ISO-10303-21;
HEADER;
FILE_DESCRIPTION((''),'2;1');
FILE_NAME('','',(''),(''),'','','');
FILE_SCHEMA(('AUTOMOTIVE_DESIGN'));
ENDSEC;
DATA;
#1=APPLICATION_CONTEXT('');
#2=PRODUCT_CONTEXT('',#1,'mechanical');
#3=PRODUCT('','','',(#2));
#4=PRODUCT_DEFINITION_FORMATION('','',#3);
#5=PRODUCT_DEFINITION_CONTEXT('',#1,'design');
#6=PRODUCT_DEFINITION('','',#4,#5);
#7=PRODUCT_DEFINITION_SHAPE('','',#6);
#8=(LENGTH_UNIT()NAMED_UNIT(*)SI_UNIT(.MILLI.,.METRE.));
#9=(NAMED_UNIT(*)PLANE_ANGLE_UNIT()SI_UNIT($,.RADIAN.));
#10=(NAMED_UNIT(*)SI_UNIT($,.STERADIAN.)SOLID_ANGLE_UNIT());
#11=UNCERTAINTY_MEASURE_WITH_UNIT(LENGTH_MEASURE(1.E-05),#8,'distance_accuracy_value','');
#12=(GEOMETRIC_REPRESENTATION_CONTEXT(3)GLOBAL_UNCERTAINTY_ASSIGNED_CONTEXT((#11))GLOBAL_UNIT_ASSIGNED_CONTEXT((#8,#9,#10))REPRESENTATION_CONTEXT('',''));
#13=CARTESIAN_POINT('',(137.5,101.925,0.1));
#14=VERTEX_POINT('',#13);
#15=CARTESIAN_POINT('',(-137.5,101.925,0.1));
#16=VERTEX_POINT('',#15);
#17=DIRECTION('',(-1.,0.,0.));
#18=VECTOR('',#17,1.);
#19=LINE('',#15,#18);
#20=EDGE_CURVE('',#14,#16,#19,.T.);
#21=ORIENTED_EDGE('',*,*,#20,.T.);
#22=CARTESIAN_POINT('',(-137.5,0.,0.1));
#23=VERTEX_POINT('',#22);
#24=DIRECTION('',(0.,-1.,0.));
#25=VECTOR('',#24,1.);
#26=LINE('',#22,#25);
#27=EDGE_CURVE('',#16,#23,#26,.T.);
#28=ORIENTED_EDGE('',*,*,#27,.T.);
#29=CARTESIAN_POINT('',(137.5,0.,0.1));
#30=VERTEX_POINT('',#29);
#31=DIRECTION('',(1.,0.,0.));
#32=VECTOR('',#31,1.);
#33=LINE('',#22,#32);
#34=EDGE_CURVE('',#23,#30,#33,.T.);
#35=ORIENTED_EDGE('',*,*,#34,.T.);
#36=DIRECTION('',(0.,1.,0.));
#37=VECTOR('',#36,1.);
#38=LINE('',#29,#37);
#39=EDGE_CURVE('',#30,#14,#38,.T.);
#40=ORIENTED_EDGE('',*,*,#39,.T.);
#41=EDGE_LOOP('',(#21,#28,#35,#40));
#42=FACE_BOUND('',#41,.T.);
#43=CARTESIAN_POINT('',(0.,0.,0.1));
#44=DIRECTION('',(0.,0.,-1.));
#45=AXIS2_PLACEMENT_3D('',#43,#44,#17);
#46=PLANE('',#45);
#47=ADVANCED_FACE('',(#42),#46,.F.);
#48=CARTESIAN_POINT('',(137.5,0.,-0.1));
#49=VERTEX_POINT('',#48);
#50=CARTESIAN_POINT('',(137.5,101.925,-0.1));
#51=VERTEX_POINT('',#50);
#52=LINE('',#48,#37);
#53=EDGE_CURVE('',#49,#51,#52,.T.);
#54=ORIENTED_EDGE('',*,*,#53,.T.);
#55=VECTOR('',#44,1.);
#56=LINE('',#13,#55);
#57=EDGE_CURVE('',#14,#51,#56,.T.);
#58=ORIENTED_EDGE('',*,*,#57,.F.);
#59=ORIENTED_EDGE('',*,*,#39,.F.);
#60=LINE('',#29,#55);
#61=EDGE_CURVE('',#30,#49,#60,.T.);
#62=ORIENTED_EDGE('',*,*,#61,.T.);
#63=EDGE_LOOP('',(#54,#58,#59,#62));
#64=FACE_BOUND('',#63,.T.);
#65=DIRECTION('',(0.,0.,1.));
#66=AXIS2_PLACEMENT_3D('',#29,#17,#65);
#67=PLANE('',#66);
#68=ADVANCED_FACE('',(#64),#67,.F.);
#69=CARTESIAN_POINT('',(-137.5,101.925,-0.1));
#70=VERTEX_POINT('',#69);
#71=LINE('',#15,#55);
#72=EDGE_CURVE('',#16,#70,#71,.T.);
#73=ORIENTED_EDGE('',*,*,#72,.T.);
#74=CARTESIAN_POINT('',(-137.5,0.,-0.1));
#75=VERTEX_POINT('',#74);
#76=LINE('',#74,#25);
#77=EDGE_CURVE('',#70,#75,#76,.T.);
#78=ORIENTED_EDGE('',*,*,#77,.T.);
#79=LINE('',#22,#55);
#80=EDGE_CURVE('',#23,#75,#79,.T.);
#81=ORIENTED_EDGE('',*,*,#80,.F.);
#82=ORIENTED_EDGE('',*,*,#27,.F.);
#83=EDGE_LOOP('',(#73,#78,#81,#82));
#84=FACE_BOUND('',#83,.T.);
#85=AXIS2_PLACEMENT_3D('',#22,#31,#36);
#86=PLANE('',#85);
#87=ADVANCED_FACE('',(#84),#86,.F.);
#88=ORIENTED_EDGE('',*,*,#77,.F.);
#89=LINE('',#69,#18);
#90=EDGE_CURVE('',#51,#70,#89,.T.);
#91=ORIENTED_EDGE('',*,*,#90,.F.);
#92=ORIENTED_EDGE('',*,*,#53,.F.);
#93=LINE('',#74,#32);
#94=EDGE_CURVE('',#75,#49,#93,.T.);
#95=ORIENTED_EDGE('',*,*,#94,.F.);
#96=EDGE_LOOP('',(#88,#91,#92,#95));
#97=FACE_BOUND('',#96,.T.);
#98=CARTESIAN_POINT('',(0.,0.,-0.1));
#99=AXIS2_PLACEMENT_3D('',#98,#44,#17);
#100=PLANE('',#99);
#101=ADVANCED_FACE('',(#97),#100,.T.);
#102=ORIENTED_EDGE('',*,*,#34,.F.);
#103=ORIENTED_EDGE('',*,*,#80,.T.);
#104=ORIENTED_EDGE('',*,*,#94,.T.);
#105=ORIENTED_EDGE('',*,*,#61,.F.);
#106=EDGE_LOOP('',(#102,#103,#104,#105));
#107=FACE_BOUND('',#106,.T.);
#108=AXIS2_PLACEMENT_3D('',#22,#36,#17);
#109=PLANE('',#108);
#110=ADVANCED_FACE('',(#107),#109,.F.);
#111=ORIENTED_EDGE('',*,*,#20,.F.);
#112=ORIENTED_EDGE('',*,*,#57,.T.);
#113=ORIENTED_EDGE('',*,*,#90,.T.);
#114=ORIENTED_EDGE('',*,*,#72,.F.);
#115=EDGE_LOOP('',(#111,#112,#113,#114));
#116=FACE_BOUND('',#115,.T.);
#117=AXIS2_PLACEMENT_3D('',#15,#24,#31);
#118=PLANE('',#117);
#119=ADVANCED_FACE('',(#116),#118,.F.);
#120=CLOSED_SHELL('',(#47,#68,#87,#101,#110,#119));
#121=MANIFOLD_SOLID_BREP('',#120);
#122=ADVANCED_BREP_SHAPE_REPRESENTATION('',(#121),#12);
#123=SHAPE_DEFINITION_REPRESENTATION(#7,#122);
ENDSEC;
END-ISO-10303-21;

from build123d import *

# Parameters (mm, degrees)
SKETCH1_W        = 275
SKETCH1_H        = 101.925
DIMENSIONS_DEPTH = 0.1


with BuildPart() as part:
    # Sketch1 → Dimensions (new, symmetric)
    with BuildSketch(Plane.XY):
        with Locations((0, 50.9625)):
            Rectangle(SKETCH1_W, SKETCH1_H)
    extrude(amount=DIMENSIONS_DEPTH, both=True)


solid = part.part
